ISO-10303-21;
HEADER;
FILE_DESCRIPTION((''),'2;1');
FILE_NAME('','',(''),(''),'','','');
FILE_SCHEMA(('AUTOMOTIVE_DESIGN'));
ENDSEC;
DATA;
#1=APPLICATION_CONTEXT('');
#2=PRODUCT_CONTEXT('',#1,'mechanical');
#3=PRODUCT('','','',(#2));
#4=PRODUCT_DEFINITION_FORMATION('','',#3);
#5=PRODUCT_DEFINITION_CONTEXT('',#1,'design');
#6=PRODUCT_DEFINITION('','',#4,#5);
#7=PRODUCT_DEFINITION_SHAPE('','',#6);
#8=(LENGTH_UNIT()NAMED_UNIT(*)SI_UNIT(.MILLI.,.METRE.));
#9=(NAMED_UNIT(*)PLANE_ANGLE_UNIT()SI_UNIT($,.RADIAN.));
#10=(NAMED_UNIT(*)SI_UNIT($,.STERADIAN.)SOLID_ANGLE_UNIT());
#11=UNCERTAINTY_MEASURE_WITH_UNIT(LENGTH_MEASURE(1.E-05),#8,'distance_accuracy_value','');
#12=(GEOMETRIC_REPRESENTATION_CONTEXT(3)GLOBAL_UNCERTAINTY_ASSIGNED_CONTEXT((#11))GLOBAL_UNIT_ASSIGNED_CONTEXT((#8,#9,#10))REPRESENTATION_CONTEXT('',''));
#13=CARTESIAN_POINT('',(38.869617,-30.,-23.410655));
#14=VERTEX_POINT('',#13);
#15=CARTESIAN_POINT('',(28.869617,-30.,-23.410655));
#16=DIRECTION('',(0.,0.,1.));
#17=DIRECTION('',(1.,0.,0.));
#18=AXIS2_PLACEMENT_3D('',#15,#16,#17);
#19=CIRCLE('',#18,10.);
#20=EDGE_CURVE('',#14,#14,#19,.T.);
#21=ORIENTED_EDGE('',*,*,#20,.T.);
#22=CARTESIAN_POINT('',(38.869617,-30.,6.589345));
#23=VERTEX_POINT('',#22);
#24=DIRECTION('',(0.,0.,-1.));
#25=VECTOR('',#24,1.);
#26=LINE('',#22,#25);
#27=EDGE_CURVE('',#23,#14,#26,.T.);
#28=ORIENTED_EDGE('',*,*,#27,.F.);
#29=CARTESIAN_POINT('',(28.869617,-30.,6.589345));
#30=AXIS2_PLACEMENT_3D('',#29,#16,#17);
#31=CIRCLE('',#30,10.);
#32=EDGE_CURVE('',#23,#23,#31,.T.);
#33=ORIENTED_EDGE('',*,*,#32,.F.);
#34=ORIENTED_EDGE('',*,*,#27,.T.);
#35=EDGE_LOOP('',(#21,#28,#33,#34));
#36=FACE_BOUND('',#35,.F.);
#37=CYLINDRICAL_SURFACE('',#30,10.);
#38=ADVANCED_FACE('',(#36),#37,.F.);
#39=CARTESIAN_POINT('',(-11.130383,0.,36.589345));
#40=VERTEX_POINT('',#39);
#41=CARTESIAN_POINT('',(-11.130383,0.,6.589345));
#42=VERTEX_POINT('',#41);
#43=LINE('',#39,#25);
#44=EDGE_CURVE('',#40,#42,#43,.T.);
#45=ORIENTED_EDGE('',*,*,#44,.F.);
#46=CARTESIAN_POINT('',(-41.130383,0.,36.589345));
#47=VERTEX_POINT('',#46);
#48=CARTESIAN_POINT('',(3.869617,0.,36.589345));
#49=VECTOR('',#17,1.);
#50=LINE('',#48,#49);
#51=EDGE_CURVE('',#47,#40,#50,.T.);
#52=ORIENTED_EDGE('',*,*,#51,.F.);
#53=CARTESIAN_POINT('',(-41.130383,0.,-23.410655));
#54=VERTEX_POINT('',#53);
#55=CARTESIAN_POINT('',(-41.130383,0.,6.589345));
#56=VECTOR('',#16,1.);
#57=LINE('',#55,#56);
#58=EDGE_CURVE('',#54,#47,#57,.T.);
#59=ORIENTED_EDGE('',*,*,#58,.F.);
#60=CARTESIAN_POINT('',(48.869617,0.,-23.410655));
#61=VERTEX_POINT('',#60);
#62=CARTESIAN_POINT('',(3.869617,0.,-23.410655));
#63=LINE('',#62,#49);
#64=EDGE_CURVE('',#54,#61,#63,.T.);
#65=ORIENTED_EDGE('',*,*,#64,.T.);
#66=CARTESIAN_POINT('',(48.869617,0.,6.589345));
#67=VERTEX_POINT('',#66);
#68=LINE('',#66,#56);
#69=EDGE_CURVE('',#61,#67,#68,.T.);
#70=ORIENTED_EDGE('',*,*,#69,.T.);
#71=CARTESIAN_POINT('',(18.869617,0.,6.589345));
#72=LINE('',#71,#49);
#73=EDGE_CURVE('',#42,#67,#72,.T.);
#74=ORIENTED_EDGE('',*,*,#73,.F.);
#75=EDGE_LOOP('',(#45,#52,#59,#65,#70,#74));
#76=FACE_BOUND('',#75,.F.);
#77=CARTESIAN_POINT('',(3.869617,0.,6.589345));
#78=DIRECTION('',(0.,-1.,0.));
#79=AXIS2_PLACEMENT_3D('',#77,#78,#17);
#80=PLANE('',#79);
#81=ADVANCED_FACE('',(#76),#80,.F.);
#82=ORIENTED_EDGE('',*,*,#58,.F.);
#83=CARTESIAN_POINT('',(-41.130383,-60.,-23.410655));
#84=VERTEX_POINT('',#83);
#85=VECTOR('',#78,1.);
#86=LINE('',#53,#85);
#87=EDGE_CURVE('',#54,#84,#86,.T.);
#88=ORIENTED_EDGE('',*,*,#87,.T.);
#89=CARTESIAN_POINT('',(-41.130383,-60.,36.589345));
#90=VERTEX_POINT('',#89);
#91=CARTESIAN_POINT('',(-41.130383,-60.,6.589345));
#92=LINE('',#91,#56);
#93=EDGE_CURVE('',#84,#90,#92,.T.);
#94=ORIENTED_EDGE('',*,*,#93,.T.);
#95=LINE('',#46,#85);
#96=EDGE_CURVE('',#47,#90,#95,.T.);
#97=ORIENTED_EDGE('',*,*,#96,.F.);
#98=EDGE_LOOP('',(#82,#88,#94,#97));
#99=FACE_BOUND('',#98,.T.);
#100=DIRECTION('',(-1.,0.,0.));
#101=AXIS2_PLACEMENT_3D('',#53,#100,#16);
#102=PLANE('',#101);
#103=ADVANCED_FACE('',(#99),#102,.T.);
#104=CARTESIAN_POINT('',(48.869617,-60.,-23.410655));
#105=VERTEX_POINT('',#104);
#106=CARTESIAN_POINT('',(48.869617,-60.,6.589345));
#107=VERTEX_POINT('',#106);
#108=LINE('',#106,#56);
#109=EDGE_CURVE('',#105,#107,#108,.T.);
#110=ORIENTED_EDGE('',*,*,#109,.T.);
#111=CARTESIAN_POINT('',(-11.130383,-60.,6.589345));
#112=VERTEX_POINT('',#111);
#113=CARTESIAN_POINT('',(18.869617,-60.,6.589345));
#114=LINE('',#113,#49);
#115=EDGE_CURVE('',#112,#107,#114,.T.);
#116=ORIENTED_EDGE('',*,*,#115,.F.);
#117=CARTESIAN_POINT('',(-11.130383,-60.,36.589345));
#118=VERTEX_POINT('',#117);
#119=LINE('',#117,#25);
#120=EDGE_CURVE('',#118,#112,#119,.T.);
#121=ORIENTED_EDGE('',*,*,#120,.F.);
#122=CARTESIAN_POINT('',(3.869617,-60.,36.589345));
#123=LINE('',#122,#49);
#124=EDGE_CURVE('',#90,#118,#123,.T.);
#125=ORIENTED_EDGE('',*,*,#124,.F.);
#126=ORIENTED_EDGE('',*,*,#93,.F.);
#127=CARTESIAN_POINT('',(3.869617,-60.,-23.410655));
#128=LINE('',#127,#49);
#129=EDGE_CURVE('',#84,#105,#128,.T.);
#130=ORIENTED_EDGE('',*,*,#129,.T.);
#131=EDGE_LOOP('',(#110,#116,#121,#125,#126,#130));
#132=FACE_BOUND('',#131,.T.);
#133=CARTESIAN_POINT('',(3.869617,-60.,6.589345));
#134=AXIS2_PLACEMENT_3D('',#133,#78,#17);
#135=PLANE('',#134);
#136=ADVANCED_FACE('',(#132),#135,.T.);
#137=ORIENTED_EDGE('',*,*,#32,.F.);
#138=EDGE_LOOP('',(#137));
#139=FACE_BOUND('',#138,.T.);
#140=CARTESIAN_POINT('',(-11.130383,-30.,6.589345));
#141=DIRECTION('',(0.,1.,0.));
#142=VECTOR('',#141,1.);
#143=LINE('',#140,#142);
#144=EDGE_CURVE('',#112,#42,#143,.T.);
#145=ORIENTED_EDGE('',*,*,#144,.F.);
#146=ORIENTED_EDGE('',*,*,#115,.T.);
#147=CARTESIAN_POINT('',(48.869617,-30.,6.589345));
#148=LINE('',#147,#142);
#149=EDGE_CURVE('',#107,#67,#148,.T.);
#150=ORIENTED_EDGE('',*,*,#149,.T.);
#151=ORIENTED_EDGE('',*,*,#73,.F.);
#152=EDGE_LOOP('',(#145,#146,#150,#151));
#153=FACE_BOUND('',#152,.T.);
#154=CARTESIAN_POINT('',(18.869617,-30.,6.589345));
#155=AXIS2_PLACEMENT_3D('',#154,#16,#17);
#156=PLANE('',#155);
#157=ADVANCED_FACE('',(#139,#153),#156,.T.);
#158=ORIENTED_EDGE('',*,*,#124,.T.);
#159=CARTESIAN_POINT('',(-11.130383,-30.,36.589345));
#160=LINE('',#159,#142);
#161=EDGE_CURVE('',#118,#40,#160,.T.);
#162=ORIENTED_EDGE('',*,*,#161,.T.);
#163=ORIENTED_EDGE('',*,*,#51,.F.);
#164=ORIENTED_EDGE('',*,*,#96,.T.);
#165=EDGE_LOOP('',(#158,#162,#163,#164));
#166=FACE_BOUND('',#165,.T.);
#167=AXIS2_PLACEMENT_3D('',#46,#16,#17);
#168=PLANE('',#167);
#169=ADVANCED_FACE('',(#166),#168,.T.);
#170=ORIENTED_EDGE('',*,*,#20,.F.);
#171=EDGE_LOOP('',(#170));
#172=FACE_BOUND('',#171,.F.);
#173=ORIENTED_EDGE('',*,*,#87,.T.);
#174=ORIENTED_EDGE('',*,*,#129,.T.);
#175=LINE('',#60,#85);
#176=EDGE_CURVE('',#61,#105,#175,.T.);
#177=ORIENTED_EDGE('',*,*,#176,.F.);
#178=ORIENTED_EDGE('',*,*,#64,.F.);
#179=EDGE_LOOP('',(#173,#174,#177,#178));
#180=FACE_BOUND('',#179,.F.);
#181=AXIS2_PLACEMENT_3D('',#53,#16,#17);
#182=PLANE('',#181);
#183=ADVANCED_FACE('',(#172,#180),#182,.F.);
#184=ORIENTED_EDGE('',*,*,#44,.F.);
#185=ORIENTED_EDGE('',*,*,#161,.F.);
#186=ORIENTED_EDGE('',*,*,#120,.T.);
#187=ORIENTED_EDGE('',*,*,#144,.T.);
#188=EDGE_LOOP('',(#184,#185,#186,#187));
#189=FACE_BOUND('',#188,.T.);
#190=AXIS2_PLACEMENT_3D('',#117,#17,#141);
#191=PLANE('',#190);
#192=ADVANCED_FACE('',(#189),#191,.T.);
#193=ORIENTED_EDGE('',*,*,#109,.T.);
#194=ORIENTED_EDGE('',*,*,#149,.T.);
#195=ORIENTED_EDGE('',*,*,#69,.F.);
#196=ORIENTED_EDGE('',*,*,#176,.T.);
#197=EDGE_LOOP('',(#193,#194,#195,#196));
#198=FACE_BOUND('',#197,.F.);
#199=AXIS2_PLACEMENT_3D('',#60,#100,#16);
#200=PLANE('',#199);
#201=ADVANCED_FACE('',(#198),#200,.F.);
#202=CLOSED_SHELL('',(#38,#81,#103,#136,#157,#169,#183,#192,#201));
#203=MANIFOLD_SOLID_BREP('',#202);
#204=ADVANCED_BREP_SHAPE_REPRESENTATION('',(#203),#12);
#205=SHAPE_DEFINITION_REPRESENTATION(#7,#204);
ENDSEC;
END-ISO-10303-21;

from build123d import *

# Parameters (mm, degrees)
F0_W     = 90
F0_H     = 60
F1_DEPTH = 60
F2_W     = 60
F2_H     = 60
F3_DEPTH = 30
F4_R     = 10
F5_DEPTH = 55.20023


with BuildPart() as f1:
    # F0 (on Front) → F1 (new body)
    with BuildSketch(Plane.XZ):
        with Locations((3.869617, 6.589345)):
            Rectangle(F0_W, F0_H)
    extrude(amount=F1_DEPTH)

    # F2 (on face) → F3 (cut)
    with BuildSketch(Plane.XY.offset(36.589345)):
        with Locations((18.869617, -30)):
            Rectangle(F2_W, F2_H)
    extrude(amount=-F3_DEPTH, mode=Mode.SUBTRACT)

    # F4 (on face) → F5 (cut)
    with BuildSketch(Plane.XY.offset(6.589345)):
        with Locations((28.869617, -30)):
            Circle(F4_R)
    extrude(amount=-F5_DEPTH, mode=Mode.SUBTRACT)


solid = f1.part
